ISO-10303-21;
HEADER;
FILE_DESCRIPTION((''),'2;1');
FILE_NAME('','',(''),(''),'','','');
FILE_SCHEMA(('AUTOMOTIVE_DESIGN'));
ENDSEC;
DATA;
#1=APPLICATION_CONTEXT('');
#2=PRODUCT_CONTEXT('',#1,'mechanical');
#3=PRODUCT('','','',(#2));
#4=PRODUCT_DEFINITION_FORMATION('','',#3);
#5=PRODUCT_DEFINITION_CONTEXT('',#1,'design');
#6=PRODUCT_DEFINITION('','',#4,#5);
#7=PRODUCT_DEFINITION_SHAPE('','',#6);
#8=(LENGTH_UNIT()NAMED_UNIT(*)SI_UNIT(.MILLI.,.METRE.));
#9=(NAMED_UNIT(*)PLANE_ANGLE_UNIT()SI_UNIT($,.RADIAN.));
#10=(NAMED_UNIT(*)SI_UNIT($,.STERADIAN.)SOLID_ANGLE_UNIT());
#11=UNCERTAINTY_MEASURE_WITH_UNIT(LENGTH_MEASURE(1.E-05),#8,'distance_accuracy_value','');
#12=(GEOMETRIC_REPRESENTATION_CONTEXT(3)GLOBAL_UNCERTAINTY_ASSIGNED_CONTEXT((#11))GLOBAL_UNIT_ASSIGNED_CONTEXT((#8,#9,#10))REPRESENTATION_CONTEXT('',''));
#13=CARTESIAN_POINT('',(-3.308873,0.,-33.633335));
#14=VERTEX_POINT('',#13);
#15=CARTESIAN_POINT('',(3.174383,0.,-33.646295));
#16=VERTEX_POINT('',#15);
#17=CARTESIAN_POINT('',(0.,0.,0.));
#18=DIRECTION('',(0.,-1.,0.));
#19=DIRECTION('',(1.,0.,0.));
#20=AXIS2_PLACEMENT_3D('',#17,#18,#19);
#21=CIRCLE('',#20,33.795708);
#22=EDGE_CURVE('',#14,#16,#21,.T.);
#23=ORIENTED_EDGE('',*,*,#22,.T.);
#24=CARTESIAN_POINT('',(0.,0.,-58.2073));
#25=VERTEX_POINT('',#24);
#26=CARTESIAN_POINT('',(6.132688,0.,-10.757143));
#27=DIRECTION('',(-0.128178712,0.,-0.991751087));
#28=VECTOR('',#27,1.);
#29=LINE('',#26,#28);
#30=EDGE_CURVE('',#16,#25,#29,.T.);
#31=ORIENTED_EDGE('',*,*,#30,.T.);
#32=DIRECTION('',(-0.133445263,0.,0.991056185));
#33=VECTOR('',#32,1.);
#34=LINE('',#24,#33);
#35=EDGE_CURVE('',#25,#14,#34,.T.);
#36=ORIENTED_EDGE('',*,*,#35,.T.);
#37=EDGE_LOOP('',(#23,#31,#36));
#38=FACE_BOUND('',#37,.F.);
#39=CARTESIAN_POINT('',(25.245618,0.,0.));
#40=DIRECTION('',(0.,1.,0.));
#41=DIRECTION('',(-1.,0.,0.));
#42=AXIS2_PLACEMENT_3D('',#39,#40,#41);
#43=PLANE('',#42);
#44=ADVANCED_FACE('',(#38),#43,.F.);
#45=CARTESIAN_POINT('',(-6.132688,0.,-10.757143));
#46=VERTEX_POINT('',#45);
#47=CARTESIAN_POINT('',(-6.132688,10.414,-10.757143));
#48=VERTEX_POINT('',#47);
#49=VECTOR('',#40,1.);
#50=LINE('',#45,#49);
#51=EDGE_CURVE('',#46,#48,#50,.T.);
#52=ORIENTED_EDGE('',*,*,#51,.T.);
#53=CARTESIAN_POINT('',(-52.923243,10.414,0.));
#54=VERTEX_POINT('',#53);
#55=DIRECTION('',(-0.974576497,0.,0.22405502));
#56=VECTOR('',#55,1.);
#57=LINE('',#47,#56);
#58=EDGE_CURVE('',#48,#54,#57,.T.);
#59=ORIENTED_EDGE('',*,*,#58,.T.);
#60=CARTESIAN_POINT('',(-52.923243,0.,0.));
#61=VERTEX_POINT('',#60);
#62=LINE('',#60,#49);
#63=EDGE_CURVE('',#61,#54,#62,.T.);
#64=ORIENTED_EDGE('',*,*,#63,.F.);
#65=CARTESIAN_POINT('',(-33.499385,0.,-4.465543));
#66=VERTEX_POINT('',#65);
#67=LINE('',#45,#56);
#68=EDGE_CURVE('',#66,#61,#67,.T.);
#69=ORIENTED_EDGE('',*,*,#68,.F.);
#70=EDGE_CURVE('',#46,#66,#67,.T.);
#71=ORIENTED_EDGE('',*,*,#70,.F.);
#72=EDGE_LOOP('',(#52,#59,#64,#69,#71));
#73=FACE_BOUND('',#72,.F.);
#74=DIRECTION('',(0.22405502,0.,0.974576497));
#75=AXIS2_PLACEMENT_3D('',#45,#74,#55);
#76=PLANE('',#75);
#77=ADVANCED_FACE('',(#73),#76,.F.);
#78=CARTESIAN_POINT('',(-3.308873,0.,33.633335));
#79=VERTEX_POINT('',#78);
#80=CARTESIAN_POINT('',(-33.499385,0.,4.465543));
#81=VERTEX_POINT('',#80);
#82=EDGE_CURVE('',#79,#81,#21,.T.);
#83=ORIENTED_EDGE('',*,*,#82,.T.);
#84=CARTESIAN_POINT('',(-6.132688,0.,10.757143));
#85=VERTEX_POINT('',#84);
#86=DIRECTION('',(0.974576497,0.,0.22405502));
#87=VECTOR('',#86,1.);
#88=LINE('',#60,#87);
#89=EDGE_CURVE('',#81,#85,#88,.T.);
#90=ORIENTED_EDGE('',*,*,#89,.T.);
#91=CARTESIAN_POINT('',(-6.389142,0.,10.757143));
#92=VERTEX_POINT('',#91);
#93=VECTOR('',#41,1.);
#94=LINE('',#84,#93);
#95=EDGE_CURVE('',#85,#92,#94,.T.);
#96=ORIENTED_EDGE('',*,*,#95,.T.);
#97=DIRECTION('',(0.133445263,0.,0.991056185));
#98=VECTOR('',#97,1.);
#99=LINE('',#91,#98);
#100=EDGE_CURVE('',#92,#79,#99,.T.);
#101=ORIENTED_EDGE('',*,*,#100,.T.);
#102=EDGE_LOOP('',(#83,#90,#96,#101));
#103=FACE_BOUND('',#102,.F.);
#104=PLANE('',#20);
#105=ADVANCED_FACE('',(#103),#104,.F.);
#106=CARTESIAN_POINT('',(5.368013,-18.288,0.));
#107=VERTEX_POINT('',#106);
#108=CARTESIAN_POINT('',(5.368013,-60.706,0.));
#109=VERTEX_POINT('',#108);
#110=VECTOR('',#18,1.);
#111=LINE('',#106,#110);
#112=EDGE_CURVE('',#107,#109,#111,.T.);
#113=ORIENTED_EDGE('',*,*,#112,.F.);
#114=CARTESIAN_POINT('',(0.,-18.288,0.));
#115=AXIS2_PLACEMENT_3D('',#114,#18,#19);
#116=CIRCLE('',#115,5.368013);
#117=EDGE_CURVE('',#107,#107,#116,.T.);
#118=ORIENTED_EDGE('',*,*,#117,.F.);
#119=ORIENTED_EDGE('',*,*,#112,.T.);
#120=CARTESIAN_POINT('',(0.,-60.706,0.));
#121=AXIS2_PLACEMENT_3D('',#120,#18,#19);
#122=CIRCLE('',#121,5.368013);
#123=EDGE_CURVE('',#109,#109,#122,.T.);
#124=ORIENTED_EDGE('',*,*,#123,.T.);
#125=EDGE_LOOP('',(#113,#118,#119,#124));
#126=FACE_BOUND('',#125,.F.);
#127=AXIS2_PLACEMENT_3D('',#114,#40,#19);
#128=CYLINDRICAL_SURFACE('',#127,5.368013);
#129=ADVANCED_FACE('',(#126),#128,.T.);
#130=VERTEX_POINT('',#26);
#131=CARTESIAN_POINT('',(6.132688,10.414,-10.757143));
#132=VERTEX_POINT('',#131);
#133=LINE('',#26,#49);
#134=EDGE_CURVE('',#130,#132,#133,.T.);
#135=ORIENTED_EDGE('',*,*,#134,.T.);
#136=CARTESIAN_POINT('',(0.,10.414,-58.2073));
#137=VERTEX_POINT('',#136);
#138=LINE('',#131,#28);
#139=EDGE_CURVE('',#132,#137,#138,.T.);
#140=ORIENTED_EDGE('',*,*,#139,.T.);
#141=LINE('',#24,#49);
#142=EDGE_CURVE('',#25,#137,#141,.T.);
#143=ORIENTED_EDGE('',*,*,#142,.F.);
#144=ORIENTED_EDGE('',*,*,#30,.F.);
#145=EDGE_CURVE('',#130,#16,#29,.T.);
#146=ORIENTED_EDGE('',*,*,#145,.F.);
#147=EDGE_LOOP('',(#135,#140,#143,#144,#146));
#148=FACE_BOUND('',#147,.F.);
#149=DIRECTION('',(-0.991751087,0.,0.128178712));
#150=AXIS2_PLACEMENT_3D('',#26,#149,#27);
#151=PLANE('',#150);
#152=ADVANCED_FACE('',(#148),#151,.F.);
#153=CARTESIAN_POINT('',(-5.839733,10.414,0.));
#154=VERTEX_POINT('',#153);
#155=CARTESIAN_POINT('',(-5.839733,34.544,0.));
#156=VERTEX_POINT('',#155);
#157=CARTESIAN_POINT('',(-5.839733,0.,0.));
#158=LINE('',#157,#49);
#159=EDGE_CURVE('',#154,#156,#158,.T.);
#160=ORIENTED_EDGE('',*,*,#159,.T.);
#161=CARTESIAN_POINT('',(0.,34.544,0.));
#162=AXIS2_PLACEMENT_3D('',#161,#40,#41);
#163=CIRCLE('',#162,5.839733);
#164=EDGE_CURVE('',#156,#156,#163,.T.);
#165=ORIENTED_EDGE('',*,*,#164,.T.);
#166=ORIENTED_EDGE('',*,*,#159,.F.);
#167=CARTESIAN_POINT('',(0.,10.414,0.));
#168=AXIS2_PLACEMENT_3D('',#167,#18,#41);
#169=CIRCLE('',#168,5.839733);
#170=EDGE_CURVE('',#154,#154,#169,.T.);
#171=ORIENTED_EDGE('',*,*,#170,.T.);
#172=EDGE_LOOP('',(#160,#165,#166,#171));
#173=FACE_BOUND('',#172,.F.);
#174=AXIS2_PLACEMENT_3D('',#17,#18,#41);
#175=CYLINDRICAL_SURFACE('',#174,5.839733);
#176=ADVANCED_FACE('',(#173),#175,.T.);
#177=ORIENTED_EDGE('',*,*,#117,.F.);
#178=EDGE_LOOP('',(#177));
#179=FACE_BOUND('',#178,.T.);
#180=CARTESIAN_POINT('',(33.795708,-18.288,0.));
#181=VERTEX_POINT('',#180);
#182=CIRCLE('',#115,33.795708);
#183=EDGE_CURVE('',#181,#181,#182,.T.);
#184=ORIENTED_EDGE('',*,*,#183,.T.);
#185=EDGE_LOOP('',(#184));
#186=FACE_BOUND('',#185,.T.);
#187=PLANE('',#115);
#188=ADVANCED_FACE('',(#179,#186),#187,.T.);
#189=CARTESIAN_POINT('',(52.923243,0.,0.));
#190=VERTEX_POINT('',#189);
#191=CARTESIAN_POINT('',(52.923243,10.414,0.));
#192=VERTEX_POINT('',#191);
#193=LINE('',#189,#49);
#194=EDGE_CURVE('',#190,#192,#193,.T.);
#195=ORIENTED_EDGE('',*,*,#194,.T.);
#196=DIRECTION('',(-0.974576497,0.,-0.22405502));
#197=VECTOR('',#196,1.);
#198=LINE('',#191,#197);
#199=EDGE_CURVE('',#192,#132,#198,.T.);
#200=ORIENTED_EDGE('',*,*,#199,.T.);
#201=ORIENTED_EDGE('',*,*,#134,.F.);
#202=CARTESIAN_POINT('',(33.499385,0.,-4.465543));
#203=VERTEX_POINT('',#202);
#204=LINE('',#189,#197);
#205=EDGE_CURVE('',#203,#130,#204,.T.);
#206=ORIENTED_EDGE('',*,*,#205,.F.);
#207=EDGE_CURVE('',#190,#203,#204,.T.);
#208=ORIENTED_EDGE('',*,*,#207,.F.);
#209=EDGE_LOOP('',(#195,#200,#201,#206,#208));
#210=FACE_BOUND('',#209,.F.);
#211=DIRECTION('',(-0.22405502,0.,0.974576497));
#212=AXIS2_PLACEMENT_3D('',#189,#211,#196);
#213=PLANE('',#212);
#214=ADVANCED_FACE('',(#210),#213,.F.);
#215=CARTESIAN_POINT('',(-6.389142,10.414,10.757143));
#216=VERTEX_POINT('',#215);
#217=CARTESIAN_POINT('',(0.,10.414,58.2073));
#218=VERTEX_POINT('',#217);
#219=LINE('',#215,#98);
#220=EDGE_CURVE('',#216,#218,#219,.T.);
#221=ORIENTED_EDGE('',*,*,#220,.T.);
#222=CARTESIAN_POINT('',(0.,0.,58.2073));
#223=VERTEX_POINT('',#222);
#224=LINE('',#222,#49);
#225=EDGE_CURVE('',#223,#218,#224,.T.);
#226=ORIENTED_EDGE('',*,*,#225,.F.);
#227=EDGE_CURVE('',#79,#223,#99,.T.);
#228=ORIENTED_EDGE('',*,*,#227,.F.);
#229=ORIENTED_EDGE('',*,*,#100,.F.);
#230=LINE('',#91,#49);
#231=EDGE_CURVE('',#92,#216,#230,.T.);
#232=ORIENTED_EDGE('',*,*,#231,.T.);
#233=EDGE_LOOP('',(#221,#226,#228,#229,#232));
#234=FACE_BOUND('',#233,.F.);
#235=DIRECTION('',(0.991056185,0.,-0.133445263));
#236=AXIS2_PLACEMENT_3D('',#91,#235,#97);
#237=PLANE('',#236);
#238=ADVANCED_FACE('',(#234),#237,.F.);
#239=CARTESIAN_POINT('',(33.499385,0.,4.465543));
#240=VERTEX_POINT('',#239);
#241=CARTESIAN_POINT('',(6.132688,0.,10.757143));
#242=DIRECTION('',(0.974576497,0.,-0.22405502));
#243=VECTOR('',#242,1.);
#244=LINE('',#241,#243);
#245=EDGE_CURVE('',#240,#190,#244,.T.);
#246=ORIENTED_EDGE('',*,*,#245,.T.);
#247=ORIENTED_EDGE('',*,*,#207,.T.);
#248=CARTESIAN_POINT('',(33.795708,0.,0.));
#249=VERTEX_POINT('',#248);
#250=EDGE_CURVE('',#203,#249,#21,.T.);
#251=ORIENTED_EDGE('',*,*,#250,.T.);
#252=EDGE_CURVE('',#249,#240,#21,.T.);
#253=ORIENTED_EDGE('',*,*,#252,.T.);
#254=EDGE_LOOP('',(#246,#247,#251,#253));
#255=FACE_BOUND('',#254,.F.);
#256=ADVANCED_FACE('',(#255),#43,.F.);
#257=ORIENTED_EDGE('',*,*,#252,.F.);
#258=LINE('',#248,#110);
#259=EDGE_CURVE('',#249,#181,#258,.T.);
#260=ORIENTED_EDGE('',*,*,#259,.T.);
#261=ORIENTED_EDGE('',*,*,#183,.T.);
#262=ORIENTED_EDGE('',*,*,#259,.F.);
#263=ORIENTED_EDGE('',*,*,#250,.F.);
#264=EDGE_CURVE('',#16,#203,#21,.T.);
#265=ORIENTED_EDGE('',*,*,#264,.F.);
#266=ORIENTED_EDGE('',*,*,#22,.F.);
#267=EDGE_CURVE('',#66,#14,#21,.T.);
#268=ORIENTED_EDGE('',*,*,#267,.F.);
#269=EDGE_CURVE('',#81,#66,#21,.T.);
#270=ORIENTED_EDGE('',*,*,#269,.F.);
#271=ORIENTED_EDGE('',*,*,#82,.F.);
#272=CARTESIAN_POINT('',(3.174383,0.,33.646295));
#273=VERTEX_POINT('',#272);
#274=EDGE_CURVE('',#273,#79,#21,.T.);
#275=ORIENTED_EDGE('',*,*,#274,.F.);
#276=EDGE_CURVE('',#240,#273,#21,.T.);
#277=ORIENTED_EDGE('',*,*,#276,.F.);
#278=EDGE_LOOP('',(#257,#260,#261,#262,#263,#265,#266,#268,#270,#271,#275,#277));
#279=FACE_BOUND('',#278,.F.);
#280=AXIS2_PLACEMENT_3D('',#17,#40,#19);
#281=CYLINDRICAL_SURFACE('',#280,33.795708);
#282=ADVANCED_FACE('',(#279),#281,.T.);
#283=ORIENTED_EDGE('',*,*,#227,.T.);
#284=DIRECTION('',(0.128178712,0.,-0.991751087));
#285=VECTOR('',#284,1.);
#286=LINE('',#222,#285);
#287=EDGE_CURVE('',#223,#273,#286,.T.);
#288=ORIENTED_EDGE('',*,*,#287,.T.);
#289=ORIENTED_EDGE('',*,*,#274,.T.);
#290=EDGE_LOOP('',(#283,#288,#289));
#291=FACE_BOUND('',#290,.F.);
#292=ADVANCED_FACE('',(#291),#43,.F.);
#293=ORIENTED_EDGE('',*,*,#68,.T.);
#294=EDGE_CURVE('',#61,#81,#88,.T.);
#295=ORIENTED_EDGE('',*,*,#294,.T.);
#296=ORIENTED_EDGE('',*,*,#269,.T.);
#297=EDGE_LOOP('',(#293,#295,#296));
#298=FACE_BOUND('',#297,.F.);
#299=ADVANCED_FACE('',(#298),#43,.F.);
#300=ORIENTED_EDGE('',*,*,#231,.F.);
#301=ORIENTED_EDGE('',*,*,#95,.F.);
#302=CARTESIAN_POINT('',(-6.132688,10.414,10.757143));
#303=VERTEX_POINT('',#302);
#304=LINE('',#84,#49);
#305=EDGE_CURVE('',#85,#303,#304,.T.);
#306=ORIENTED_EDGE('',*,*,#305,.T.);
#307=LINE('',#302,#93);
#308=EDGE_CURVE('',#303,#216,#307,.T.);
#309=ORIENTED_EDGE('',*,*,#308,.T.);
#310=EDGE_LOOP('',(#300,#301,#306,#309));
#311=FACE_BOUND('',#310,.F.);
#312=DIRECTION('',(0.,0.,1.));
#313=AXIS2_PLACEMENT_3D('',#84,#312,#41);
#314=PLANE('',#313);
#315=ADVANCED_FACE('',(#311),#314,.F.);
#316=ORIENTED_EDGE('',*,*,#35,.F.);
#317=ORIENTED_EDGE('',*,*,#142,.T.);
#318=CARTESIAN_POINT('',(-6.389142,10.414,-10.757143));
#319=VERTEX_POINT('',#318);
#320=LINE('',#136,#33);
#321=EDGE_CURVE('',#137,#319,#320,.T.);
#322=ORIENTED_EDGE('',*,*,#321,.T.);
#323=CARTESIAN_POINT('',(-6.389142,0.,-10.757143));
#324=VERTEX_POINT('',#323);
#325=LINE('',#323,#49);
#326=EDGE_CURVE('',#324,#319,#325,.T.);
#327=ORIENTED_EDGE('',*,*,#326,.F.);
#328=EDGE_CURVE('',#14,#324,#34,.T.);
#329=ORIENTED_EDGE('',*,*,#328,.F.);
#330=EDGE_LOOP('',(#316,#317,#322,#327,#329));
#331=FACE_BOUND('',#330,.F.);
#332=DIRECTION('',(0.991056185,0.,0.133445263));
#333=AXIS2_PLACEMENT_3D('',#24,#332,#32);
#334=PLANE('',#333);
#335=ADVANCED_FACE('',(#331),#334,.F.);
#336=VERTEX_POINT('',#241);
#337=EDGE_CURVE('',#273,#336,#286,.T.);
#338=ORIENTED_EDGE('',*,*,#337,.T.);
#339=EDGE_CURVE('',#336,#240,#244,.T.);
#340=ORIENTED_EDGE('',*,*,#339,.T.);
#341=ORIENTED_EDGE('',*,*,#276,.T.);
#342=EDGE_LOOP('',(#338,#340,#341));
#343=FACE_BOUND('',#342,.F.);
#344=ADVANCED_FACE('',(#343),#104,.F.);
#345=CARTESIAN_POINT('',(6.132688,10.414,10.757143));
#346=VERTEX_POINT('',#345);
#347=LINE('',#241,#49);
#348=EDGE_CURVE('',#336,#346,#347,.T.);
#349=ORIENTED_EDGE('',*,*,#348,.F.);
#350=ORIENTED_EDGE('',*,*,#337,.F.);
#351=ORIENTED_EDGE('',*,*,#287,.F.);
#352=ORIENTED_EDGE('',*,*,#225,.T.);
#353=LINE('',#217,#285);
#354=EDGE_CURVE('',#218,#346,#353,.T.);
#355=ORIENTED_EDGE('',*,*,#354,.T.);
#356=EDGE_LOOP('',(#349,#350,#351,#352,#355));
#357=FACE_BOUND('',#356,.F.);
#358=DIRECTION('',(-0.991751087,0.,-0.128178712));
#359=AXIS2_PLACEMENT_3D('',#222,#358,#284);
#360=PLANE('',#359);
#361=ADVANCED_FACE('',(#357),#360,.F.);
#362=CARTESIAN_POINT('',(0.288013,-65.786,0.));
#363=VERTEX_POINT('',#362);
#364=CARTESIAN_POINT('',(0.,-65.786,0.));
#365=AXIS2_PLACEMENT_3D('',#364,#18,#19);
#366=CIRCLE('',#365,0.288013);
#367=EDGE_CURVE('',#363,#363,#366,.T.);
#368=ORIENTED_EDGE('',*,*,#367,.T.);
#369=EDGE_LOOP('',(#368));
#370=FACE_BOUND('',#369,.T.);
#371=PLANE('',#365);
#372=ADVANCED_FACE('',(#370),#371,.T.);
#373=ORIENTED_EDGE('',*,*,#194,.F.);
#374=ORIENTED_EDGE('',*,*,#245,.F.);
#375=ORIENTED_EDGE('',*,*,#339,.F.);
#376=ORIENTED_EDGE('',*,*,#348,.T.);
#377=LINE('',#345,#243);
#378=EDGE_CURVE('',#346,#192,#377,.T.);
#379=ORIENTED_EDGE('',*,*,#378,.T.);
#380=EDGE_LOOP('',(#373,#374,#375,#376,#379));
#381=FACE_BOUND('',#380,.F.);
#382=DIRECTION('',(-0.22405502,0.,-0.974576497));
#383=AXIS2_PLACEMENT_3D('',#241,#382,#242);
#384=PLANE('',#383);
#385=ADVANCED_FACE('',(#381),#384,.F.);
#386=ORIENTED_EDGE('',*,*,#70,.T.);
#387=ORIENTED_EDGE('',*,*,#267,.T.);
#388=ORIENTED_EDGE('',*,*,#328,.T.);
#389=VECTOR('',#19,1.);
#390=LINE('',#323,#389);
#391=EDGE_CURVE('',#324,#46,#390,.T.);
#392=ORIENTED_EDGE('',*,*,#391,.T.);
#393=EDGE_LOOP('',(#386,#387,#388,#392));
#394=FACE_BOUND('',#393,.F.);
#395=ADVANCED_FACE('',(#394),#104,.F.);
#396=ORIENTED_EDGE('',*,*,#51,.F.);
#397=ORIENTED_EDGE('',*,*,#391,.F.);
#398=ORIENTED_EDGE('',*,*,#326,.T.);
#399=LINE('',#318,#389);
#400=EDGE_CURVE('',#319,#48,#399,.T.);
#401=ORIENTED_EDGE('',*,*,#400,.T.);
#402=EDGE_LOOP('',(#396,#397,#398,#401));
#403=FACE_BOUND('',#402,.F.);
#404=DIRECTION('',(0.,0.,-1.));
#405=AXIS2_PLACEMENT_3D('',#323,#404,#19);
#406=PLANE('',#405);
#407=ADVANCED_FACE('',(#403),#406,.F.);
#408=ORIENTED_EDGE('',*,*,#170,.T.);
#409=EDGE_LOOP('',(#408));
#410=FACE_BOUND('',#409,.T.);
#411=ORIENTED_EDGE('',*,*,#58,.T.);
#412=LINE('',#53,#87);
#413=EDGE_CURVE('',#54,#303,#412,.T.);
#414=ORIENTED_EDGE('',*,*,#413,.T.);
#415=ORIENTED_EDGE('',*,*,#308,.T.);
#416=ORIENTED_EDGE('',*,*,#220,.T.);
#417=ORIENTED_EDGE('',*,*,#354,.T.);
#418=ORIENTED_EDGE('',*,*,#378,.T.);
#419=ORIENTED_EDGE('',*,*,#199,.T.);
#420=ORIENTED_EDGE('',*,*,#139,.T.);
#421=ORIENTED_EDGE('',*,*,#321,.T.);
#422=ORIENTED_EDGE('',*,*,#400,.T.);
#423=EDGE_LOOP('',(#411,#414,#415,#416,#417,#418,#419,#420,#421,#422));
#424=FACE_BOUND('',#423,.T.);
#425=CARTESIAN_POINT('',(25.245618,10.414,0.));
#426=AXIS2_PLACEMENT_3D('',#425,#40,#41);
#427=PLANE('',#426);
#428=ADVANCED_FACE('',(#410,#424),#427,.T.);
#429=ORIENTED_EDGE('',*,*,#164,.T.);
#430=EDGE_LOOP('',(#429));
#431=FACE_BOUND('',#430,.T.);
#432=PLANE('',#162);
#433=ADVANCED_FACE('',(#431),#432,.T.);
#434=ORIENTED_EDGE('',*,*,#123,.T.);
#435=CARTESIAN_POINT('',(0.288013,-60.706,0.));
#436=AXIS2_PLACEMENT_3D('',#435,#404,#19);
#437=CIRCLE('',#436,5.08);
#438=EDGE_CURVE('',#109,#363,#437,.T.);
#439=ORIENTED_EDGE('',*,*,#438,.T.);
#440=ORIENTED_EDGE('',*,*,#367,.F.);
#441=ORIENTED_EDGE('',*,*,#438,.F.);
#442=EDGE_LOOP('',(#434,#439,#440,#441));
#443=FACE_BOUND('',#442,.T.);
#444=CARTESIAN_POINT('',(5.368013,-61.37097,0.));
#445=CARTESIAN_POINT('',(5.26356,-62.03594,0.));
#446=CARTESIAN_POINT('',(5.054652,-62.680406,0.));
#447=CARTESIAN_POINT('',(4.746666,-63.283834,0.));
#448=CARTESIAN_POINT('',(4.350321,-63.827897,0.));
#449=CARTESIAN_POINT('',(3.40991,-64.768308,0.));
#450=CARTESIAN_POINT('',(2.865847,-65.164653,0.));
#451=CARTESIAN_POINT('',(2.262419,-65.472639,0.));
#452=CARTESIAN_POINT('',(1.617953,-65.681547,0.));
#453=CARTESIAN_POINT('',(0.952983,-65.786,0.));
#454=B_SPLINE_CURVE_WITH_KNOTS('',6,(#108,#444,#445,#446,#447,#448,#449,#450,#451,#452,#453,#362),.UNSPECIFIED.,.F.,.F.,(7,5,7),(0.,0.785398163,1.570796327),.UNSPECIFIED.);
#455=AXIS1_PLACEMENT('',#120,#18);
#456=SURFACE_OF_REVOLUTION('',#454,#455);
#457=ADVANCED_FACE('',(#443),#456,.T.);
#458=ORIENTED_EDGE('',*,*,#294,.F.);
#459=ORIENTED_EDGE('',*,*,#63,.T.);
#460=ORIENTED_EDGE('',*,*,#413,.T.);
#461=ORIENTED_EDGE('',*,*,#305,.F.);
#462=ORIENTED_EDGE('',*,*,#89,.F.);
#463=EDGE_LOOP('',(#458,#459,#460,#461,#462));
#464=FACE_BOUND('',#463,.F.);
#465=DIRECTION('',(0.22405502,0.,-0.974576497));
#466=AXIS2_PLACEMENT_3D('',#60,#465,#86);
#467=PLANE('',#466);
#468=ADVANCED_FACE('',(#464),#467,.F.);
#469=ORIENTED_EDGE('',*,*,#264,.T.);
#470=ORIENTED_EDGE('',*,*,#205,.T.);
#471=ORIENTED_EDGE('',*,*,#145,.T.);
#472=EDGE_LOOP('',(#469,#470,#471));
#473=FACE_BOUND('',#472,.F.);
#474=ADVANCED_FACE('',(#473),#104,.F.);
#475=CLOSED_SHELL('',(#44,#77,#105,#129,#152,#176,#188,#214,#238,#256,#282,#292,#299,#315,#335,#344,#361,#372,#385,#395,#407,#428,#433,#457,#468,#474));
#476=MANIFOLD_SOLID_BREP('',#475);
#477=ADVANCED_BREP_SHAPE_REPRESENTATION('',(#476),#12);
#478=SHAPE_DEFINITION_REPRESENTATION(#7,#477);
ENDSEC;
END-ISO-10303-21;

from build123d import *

# Parameters (mm, degrees)
F0_R     = 33.795708
F1_DEPTH = 18.288
F2_R     = 5.368013
F3_DEPTH = 47.498
F4_R     = 5.08
F5_R     = 5.839733
F6_DEPTH = 34.544
F7_W     = 12.265376
F7_H     = 21.514286
F8_DEPTH = 10.414


with BuildPart() as f1:
    # F0 (on Front) → F1 (new body)
    with BuildSketch(Plane.XZ):
        Circle(F0_R)
    extrude(amount=F1_DEPTH)

    # F2 (on face) → F3 (join)
    with BuildSketch(Plane.XZ.offset(18.288)):
        Circle(F2_R)
    extrude(amount=F3_DEPTH)

    # F4
    f4_edges = [f1.edges().sort_by_distance(p)[0] for p in [
        (-5.368013, -65.786, 0),
    ]]
    fillet(f4_edges, radius=F4_R)

    # F5 (on face) → F6 (join)
    with BuildSketch(Plane(origin=(0, 0, 0), x_dir=(-1, 0, 0), z_dir=(0, 1, 0))):
        Circle(F5_R)
    extrude(amount=F6_DEPTH)

    # F7 (on face) → F8 (join)
    with BuildSketch(Plane(origin=(0, 0, 0), x_dir=(-1, 0, 0), z_dir=(0, 1, 0))):
        Polygon((-52.923243, 0), (-6.132688, -10.757143), (-6.132688, 10.757143), align=None)
        Polygon((6.132688, -10.757143), (-6.132688, -10.757143), (0, -58.2073), (6.389142, -10.757143), align=None)
        Rectangle(F7_W, F7_H)
        Polygon((6.132688, 10.757143), (6.132688, -10.757143), (52.923243, 0), align=None)
        Polygon((0, 58.2073), (-6.132688, 10.757143), (6.132688, 10.757143), (6.389142, 10.757143), align=None)
    extrude(amount=F8_DEPTH)


solid = f1.part
